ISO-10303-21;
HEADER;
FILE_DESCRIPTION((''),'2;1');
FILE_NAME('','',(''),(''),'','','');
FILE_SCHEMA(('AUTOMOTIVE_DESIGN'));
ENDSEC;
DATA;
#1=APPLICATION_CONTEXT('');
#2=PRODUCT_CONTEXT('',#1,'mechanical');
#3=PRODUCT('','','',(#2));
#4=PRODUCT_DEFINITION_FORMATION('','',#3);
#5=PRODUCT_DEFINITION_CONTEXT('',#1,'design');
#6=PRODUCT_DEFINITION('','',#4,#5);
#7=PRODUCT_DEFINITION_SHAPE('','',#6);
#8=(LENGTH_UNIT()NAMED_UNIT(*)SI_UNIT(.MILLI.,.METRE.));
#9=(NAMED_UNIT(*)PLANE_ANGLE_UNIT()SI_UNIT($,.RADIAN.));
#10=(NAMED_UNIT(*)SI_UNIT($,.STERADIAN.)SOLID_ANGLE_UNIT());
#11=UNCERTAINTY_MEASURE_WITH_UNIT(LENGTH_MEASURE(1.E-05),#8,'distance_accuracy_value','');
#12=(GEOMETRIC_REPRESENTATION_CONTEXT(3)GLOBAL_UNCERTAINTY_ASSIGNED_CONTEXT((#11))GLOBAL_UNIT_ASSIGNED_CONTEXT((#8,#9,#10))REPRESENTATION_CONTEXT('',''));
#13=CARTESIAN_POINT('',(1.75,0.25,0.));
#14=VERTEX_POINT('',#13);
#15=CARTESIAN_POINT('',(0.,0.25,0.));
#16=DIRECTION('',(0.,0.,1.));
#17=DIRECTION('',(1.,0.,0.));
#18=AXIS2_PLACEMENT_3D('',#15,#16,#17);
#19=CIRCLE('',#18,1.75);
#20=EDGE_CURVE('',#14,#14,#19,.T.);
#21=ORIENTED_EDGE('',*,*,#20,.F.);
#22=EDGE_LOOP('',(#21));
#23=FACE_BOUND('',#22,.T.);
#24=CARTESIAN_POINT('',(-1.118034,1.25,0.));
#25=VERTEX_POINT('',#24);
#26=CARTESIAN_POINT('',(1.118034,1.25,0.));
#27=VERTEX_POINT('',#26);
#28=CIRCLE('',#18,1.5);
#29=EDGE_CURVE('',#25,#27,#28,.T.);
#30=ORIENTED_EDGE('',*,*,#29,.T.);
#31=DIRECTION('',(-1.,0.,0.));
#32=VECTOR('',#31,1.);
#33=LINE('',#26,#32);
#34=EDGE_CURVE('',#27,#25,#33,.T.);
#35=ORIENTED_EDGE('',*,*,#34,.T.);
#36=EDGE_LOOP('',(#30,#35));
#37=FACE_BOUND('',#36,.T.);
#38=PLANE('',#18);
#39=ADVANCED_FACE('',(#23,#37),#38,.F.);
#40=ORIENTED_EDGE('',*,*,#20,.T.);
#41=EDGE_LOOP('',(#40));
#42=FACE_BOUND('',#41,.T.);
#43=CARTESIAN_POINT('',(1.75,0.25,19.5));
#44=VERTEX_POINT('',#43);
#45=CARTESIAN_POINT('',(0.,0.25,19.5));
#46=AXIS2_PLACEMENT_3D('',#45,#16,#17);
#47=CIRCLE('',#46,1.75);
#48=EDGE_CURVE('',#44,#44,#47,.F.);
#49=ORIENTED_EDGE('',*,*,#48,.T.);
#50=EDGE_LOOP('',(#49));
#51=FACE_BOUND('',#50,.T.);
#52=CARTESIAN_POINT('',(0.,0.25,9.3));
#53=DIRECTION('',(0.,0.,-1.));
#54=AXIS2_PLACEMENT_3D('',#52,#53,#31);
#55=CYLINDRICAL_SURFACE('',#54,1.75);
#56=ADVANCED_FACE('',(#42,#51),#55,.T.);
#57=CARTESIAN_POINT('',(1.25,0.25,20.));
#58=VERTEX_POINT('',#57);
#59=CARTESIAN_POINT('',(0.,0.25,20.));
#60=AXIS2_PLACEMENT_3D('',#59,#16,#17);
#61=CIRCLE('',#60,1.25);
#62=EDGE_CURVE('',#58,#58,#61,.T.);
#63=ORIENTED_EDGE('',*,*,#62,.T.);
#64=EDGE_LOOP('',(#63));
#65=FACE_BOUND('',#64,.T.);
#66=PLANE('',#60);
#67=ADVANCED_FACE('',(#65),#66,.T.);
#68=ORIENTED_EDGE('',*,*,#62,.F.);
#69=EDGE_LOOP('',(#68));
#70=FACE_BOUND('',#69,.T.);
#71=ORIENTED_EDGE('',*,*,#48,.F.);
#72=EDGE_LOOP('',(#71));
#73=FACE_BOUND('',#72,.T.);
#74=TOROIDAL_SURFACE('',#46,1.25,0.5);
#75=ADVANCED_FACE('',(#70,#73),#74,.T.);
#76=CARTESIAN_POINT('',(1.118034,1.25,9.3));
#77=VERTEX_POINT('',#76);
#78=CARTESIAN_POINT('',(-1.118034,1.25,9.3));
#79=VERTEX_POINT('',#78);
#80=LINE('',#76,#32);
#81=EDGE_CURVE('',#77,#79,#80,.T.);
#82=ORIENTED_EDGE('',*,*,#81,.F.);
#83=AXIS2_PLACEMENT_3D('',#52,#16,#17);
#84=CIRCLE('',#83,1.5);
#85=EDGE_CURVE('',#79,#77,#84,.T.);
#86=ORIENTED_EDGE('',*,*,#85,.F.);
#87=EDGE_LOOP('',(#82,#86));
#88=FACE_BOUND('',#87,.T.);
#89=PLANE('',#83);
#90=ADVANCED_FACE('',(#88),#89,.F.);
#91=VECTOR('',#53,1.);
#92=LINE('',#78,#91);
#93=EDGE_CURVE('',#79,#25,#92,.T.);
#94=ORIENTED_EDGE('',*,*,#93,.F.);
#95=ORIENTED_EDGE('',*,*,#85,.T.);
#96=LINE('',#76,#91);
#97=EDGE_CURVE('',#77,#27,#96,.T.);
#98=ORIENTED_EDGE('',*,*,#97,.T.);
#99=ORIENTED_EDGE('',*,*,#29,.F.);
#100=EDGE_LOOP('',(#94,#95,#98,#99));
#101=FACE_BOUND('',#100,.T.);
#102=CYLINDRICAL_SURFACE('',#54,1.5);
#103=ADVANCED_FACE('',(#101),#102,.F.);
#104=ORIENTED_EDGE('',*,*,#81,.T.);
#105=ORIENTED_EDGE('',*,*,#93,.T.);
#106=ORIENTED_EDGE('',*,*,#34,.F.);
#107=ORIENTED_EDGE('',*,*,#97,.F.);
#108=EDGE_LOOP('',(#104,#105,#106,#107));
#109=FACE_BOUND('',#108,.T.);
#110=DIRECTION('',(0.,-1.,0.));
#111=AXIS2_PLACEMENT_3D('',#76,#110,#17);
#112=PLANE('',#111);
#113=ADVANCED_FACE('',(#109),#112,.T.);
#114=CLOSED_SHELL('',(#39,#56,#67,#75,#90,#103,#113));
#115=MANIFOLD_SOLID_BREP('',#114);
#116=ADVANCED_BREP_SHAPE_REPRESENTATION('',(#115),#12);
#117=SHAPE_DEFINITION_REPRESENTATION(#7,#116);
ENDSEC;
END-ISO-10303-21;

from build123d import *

# Parameters (mm, degrees)
ESBO_O2_R                = 1.75
RESSALTO_EXTRUS_O1_DEPTH = 9.3
ESBO_O3_R                = 1.75
RESSALTO_EXTRUS_O2_DEPTH = 10.7
FILETE1_R                = 0.5


with BuildPart() as part:
    # Esboço2 → Ressalto-extrusão1 (new body)
    with BuildSketch(Plane.XY):
        with Locations((0, 0.25)):
            Circle(ESBO_O2_R)
        with BuildLine():
            Line((1.118033989, 1.25), (-1.118033989, 1.25))
            ThreePointArc((-1.118033989, 1.25), (0, -1.25), (1.118033989, 1.25))
        make_face(mode=Mode.SUBTRACT)
    extrude(amount=RESSALTO_EXTRUS_O1_DEPTH)

    # Esboço3 → Ressalto-extrusão2 (add)
    with BuildSketch(Plane.XY.offset(9.3)):
        with Locations((0, 0.25)):
            Circle(ESBO_O3_R)
    extrude(amount=RESSALTO_EXTRUS_O2_DEPTH)

    # Filete1
    filete1_edges = [part.edges().sort_by_distance(p)[0] for p in [
        (-1.75, 0.25, 20),
    ]]
    fillet(filete1_edges, radius=FILETE1_R)


solid = part.part
